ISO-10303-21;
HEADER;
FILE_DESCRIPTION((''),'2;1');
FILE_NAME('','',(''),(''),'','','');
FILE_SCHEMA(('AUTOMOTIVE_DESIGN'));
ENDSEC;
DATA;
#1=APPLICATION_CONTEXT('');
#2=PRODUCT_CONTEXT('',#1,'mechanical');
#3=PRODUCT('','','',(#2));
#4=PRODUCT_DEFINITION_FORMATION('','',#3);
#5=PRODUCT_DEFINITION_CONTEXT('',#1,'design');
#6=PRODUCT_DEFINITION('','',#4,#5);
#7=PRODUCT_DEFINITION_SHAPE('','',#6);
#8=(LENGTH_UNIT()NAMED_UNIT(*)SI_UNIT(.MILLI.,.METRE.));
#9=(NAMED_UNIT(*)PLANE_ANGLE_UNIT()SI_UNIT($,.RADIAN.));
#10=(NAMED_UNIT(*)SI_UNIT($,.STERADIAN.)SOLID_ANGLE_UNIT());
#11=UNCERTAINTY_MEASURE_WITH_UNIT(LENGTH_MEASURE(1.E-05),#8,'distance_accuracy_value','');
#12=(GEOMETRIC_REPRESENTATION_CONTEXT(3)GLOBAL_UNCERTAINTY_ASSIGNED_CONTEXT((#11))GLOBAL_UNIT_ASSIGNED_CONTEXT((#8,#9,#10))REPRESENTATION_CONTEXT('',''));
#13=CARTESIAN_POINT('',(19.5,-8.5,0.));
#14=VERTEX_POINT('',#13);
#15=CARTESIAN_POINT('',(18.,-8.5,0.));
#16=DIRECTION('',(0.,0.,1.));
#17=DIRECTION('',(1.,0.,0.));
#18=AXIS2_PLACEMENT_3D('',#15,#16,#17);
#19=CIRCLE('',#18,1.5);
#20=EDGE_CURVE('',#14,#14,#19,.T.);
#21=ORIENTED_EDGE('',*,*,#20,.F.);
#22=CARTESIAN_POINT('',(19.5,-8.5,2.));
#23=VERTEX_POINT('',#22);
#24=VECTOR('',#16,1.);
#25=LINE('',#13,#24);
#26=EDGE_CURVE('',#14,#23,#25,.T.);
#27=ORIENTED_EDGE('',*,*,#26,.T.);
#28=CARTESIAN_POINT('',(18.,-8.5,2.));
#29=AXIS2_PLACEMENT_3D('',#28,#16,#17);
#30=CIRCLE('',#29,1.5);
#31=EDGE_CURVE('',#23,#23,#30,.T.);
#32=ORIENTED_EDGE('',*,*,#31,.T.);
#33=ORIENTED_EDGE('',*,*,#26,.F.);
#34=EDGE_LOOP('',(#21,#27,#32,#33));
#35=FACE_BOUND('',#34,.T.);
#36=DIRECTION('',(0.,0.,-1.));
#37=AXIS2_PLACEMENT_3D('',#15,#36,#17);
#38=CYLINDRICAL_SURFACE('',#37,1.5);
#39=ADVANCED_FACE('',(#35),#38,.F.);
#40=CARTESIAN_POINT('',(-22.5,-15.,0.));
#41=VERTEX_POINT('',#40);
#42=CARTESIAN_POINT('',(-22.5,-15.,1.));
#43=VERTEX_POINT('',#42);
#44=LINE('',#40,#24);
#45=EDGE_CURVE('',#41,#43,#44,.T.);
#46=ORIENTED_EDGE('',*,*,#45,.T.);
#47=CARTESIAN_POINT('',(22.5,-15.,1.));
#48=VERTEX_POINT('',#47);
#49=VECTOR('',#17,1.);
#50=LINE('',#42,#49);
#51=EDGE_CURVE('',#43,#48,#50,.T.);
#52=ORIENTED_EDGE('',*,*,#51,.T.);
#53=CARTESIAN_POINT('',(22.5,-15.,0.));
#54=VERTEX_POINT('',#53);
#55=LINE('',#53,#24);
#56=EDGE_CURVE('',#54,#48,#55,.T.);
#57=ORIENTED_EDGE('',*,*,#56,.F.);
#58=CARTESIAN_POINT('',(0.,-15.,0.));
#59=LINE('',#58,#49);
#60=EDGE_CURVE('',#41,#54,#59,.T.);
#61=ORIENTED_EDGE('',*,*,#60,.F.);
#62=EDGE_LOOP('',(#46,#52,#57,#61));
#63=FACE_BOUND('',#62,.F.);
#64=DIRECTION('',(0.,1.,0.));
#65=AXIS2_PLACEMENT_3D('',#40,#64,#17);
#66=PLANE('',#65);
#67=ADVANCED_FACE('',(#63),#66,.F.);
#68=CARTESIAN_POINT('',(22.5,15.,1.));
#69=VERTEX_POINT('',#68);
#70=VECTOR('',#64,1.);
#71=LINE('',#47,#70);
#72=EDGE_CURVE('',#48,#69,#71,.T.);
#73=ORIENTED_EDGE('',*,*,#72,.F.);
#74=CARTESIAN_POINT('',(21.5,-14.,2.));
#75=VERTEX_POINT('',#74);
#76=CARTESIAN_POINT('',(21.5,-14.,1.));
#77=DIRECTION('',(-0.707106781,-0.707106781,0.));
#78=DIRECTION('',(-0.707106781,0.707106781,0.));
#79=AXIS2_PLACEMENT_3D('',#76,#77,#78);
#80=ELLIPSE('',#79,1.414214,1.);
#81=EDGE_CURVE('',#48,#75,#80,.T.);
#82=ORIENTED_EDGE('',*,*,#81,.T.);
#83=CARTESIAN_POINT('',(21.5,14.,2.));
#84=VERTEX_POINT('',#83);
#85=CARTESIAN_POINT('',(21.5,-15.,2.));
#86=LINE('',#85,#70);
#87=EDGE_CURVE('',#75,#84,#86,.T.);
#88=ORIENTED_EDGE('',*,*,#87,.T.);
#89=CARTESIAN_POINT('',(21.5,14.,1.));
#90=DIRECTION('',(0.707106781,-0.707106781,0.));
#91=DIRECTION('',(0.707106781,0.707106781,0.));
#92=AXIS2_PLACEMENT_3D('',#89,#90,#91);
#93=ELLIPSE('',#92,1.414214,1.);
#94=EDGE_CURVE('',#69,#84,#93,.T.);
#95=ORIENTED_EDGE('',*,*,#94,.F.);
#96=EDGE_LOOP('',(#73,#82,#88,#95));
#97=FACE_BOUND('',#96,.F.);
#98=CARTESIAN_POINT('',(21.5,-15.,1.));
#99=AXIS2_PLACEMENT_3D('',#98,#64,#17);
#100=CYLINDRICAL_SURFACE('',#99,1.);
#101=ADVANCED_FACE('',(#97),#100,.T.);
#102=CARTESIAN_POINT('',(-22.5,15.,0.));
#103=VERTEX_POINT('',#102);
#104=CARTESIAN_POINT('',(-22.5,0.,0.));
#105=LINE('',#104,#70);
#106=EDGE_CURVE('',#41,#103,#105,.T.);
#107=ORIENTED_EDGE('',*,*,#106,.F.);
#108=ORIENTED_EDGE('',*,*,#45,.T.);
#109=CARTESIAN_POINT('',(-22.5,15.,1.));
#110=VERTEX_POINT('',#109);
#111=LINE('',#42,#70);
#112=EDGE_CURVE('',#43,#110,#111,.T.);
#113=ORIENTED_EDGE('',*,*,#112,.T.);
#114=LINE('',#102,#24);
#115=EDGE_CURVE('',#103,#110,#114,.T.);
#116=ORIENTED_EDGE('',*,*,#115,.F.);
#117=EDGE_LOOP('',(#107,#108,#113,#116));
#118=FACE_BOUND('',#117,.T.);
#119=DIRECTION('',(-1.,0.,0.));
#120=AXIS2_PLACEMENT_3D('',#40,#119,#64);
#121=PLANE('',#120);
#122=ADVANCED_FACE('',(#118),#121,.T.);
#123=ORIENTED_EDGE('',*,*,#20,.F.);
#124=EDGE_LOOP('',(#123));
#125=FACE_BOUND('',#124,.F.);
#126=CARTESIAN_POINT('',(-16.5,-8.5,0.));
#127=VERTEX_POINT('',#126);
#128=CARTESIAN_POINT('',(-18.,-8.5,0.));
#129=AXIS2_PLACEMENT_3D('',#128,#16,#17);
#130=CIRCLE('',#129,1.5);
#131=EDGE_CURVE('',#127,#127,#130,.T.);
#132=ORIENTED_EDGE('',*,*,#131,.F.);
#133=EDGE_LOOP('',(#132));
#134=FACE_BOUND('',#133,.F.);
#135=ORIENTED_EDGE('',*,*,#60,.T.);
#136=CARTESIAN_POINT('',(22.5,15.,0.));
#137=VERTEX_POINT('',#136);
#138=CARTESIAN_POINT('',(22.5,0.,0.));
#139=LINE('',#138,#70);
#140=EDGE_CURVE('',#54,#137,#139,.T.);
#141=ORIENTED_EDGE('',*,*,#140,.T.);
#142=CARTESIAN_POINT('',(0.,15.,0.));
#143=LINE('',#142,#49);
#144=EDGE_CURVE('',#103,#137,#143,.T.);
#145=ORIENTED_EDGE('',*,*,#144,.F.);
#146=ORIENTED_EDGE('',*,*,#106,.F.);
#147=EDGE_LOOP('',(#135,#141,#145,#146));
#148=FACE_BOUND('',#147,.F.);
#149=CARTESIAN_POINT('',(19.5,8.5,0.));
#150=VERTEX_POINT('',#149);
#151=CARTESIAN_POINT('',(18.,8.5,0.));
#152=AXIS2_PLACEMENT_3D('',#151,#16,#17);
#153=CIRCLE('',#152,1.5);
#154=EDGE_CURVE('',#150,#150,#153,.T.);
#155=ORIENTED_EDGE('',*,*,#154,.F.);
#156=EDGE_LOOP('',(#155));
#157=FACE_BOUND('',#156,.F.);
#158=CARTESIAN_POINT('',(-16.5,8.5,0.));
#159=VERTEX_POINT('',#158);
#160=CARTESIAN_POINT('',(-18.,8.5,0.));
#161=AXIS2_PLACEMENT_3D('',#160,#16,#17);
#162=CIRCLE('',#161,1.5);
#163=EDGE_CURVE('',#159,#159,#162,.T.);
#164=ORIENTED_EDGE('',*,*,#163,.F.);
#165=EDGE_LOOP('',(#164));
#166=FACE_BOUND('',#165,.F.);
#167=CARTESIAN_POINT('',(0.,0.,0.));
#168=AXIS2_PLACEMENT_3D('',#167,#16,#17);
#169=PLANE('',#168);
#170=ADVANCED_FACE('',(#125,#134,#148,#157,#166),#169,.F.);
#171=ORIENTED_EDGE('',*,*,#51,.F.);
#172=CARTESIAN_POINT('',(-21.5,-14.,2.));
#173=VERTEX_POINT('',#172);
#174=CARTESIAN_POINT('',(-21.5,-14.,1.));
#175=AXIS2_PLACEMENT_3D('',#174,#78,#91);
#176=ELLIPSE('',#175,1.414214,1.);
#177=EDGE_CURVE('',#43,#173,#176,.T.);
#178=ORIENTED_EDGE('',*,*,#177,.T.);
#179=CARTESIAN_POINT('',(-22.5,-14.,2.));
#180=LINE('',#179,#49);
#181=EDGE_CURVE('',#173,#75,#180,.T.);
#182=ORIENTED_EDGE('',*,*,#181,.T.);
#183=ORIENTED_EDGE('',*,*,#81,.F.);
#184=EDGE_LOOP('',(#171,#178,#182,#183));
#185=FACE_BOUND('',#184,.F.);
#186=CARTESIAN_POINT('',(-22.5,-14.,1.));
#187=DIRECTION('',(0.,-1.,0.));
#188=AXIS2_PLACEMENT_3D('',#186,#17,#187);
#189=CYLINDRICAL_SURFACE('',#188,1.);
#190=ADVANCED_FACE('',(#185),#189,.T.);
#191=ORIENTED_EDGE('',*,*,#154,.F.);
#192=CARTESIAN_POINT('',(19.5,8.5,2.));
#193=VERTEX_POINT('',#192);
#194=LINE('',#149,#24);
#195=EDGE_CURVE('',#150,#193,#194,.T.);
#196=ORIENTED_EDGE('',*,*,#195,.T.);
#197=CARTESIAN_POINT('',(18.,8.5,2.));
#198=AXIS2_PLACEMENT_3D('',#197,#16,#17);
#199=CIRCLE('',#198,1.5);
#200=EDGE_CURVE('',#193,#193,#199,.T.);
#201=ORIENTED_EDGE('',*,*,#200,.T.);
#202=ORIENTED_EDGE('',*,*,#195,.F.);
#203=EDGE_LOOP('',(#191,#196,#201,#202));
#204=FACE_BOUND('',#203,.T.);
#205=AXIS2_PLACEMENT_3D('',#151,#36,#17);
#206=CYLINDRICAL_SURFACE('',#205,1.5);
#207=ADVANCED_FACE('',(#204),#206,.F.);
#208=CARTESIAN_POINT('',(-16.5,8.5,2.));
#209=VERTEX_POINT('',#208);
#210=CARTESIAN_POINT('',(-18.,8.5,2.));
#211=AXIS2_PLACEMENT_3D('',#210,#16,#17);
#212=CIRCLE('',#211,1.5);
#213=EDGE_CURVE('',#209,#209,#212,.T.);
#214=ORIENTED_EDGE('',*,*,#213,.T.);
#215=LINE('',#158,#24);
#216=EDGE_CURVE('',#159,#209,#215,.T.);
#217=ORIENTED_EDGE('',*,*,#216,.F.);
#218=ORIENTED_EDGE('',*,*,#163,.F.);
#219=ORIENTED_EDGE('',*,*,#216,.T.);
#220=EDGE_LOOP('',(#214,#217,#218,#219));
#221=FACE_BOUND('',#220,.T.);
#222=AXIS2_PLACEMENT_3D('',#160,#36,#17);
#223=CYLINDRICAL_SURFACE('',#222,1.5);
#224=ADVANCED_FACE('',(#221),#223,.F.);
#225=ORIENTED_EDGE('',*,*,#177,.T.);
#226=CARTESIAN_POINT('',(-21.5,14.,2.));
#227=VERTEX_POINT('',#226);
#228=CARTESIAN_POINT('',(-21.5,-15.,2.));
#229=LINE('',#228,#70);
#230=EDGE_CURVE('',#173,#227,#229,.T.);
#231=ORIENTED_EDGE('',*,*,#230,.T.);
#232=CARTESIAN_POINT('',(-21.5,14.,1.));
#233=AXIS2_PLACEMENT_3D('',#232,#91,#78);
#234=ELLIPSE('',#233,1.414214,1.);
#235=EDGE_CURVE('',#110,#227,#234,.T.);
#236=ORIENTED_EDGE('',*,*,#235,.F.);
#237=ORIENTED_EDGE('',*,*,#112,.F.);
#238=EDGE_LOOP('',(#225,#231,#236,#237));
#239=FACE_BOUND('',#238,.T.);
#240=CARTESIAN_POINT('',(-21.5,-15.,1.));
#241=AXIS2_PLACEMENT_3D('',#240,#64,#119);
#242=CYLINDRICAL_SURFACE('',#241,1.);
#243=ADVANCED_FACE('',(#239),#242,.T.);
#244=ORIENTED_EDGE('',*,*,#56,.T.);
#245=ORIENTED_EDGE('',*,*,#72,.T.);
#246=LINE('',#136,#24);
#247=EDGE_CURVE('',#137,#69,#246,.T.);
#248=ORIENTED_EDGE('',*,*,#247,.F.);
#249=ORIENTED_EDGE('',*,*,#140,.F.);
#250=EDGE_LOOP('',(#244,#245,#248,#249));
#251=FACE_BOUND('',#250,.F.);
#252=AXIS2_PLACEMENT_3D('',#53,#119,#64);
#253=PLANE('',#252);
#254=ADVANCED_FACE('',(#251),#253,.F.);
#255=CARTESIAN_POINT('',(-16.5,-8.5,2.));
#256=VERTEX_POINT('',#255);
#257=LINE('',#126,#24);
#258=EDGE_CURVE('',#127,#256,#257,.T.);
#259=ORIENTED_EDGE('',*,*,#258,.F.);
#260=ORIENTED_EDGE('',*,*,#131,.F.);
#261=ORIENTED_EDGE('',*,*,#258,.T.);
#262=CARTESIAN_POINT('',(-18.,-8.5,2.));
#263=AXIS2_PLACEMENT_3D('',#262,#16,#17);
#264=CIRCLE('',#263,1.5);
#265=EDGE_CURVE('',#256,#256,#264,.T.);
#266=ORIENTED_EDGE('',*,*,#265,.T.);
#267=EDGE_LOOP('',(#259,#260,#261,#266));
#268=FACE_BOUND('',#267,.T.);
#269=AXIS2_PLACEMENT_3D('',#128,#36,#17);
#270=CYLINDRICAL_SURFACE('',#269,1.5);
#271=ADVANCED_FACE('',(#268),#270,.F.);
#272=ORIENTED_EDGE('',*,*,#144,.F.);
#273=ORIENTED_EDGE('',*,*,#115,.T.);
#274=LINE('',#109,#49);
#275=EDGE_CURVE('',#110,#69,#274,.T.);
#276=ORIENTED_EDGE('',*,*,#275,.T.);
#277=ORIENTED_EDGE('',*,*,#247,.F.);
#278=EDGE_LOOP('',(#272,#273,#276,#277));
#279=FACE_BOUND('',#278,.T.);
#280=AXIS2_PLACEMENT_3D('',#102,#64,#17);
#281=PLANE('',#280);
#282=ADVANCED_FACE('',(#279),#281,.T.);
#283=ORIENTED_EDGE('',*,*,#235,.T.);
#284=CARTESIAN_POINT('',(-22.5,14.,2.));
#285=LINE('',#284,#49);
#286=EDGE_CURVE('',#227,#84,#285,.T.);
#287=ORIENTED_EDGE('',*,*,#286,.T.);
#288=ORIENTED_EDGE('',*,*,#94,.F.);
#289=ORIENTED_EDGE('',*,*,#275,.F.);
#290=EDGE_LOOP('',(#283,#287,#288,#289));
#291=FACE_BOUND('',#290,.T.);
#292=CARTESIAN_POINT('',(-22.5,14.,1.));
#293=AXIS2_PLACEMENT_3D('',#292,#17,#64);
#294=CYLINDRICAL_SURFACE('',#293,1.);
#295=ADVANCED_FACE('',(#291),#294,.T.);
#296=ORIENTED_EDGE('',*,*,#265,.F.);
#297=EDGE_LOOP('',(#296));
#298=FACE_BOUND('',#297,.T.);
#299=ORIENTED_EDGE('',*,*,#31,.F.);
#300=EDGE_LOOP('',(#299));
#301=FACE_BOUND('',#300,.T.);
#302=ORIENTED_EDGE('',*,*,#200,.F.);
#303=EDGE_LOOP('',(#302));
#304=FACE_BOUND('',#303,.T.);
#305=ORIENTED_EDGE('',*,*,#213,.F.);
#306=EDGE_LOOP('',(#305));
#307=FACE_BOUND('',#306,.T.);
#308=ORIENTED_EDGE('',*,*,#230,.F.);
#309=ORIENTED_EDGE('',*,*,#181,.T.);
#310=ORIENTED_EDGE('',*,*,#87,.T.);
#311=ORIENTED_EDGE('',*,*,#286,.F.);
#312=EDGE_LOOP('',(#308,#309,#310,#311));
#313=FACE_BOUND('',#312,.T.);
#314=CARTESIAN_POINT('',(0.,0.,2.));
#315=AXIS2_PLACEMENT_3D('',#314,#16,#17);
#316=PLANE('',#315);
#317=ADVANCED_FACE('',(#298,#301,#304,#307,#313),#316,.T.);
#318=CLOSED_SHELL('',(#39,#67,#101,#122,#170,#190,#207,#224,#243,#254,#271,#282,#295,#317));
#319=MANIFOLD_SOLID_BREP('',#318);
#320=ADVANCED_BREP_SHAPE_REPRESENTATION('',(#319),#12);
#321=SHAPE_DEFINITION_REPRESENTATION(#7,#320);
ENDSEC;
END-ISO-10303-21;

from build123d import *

# Parameters (mm, degrees)
F0_W     = 45
F0_H     = 30
F0_R     = 1.5
F1_DEPTH = 2
F2_R     = 1


with BuildPart() as f1:
    # F0 (on Top) → F1 (new body)
    with BuildSketch(Plane.XY):
        Rectangle(F0_W, F0_H)
        with Locations((-18, -8.5)):
            Circle(F0_R, mode=Mode.SUBTRACT)
        with Locations((18, -8.5)):
            Circle(F0_R, mode=Mode.SUBTRACT)
        with Locations((-18, 8.5)):
            Circle(F0_R, mode=Mode.SUBTRACT)
        with Locations((18, 8.5)):
            Circle(F0_R, mode=Mode.SUBTRACT)
    extrude(amount=F1_DEPTH)

    # F2
    f2_edges = [f1.edges().sort_by_distance(p)[0] for p in [
        (-22.5, 0, 2),
        (0, 15, 2),
        (22.5, 0, 2),
        (0, -15, 2),
    ]]
    fillet(f2_edges, radius=F2_R)


solid = f1.part
